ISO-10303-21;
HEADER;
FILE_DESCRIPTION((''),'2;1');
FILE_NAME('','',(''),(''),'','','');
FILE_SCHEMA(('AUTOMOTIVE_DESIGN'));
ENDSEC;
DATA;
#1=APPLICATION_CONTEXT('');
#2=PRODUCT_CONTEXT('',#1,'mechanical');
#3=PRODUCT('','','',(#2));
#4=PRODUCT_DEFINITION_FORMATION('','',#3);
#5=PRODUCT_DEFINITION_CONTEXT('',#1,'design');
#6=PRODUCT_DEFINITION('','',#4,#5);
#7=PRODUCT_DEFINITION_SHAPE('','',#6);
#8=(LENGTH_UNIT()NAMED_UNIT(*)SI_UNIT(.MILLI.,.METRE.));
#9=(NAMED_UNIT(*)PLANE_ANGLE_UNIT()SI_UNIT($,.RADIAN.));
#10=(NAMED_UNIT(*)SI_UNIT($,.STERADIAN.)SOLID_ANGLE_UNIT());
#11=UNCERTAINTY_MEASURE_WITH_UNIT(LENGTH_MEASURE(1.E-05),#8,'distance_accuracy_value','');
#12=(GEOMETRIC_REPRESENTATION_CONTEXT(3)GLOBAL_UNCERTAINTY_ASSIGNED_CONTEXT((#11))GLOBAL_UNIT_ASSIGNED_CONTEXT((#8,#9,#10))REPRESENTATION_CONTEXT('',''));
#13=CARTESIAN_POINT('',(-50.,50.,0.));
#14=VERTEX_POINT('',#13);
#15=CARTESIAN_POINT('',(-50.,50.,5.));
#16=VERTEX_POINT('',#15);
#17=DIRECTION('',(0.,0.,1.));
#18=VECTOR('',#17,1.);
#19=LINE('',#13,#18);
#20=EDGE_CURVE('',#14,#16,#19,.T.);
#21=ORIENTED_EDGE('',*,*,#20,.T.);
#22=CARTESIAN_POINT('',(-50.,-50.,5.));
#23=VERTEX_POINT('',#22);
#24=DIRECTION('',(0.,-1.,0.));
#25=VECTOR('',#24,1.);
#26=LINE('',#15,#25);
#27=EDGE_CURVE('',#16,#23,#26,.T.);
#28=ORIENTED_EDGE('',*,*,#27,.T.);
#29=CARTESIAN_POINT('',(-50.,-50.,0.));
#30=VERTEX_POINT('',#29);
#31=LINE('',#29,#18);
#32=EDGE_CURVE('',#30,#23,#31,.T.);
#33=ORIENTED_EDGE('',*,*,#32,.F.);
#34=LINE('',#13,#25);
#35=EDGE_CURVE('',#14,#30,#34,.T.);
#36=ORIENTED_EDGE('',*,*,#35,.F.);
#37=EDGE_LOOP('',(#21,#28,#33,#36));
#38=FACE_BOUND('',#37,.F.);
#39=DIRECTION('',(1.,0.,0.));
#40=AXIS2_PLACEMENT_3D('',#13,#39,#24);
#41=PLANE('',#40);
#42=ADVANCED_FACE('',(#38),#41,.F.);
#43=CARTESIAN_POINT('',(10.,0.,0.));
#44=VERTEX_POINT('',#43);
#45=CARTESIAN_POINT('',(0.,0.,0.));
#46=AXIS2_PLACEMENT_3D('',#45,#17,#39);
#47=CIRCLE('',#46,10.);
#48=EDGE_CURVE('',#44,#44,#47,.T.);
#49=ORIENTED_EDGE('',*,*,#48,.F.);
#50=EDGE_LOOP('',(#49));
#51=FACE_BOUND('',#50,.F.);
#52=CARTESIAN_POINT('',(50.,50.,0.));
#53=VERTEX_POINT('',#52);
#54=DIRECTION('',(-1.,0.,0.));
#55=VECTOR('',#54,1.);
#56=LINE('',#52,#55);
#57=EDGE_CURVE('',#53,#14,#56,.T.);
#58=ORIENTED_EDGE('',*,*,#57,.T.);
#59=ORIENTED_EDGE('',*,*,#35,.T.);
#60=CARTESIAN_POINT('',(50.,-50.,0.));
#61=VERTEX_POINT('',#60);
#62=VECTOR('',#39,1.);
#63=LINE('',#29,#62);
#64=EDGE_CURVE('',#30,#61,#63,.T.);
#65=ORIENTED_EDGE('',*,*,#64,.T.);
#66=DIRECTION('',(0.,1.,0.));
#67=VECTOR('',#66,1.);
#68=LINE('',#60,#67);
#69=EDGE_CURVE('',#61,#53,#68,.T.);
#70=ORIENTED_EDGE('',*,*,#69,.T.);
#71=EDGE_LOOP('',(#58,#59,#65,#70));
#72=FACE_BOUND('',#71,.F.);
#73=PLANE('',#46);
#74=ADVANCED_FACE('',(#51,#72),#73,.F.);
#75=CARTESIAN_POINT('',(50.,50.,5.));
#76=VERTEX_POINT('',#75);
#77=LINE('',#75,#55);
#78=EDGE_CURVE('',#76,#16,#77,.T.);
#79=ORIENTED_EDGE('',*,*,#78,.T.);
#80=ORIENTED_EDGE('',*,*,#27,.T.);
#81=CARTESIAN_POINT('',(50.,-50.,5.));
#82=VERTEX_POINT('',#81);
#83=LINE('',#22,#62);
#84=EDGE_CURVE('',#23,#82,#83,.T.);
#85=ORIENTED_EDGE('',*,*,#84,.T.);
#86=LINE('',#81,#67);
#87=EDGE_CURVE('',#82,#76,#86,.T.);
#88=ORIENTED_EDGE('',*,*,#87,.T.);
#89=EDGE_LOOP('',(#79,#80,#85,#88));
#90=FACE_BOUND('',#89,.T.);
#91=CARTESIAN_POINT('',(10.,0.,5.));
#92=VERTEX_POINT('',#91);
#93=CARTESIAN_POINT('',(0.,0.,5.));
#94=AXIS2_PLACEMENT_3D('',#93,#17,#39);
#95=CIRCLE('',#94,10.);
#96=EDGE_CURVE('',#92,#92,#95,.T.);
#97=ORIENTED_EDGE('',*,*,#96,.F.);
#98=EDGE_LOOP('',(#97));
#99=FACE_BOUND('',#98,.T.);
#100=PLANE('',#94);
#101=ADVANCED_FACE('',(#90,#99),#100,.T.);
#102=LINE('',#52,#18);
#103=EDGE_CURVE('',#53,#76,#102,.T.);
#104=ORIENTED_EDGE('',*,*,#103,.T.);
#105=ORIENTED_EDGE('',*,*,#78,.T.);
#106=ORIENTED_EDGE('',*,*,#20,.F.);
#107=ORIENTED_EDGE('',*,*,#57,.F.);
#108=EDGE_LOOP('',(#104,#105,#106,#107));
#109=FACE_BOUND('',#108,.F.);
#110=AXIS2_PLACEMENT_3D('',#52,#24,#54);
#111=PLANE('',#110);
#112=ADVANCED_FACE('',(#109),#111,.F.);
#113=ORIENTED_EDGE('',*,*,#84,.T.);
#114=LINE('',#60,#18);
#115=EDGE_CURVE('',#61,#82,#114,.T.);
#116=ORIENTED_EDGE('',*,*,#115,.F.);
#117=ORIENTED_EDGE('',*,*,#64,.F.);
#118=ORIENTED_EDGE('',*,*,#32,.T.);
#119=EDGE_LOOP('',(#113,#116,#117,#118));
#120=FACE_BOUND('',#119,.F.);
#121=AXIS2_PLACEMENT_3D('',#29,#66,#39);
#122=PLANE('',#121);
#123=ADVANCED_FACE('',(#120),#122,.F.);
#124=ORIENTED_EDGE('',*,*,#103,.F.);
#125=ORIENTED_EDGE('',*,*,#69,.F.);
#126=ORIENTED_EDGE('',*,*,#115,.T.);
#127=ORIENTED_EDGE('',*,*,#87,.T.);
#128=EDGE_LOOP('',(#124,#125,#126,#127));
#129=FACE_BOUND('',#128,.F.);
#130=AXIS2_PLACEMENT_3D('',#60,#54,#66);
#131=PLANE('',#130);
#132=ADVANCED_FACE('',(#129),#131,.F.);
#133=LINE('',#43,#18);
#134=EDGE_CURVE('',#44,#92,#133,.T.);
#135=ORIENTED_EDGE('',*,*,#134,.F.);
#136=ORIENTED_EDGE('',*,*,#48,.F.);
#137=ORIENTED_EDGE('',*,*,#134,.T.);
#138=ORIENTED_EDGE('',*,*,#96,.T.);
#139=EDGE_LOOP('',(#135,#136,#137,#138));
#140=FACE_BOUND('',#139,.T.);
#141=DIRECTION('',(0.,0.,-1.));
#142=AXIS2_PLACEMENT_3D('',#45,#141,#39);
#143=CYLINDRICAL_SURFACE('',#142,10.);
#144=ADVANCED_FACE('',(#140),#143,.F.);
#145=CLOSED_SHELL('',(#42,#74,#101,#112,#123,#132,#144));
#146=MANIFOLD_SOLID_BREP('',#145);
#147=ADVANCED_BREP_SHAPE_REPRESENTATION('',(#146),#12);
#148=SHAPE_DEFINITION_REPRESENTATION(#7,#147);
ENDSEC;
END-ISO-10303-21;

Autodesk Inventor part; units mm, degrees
ref_plane "YZ Plane" through (0, 0, 0) normal (1, 0, 0) x (0, 1, 0)
ref_plane "XZ Plane" through (0, 0, 0) normal (0, 1, 0) x (-1, 0, 0)
ref_plane "XY Plane" through (0, 0, 0) normal (0, 0, 1) x (1, 0, 0)
sketch "Esboço1" plane through (0, 0, 0) normal (0, 0, 1) x (1, 0, 0)
  line L0 (-50, -50) -> (50, -50)
  line L1 (50, -50) -> (50, 50)
  line L2 (50, 50) -> (-50, 50)
  line L3 (-50, 50) -> (-50, -50)
  line L4 (-50, -50) -> (50, 50) construction
  line L5 (50, -50) -> (-50, 50) construction
  circle A0 centre (0, 0) radius 10
  dimension "d0" = 100
  dimension "d1" = 100
  dimension "d2" = 20
extrude "Extrusão1" add sketch "Esboço1" along normal blind 5
properties part number "placa_furo_redondo"
